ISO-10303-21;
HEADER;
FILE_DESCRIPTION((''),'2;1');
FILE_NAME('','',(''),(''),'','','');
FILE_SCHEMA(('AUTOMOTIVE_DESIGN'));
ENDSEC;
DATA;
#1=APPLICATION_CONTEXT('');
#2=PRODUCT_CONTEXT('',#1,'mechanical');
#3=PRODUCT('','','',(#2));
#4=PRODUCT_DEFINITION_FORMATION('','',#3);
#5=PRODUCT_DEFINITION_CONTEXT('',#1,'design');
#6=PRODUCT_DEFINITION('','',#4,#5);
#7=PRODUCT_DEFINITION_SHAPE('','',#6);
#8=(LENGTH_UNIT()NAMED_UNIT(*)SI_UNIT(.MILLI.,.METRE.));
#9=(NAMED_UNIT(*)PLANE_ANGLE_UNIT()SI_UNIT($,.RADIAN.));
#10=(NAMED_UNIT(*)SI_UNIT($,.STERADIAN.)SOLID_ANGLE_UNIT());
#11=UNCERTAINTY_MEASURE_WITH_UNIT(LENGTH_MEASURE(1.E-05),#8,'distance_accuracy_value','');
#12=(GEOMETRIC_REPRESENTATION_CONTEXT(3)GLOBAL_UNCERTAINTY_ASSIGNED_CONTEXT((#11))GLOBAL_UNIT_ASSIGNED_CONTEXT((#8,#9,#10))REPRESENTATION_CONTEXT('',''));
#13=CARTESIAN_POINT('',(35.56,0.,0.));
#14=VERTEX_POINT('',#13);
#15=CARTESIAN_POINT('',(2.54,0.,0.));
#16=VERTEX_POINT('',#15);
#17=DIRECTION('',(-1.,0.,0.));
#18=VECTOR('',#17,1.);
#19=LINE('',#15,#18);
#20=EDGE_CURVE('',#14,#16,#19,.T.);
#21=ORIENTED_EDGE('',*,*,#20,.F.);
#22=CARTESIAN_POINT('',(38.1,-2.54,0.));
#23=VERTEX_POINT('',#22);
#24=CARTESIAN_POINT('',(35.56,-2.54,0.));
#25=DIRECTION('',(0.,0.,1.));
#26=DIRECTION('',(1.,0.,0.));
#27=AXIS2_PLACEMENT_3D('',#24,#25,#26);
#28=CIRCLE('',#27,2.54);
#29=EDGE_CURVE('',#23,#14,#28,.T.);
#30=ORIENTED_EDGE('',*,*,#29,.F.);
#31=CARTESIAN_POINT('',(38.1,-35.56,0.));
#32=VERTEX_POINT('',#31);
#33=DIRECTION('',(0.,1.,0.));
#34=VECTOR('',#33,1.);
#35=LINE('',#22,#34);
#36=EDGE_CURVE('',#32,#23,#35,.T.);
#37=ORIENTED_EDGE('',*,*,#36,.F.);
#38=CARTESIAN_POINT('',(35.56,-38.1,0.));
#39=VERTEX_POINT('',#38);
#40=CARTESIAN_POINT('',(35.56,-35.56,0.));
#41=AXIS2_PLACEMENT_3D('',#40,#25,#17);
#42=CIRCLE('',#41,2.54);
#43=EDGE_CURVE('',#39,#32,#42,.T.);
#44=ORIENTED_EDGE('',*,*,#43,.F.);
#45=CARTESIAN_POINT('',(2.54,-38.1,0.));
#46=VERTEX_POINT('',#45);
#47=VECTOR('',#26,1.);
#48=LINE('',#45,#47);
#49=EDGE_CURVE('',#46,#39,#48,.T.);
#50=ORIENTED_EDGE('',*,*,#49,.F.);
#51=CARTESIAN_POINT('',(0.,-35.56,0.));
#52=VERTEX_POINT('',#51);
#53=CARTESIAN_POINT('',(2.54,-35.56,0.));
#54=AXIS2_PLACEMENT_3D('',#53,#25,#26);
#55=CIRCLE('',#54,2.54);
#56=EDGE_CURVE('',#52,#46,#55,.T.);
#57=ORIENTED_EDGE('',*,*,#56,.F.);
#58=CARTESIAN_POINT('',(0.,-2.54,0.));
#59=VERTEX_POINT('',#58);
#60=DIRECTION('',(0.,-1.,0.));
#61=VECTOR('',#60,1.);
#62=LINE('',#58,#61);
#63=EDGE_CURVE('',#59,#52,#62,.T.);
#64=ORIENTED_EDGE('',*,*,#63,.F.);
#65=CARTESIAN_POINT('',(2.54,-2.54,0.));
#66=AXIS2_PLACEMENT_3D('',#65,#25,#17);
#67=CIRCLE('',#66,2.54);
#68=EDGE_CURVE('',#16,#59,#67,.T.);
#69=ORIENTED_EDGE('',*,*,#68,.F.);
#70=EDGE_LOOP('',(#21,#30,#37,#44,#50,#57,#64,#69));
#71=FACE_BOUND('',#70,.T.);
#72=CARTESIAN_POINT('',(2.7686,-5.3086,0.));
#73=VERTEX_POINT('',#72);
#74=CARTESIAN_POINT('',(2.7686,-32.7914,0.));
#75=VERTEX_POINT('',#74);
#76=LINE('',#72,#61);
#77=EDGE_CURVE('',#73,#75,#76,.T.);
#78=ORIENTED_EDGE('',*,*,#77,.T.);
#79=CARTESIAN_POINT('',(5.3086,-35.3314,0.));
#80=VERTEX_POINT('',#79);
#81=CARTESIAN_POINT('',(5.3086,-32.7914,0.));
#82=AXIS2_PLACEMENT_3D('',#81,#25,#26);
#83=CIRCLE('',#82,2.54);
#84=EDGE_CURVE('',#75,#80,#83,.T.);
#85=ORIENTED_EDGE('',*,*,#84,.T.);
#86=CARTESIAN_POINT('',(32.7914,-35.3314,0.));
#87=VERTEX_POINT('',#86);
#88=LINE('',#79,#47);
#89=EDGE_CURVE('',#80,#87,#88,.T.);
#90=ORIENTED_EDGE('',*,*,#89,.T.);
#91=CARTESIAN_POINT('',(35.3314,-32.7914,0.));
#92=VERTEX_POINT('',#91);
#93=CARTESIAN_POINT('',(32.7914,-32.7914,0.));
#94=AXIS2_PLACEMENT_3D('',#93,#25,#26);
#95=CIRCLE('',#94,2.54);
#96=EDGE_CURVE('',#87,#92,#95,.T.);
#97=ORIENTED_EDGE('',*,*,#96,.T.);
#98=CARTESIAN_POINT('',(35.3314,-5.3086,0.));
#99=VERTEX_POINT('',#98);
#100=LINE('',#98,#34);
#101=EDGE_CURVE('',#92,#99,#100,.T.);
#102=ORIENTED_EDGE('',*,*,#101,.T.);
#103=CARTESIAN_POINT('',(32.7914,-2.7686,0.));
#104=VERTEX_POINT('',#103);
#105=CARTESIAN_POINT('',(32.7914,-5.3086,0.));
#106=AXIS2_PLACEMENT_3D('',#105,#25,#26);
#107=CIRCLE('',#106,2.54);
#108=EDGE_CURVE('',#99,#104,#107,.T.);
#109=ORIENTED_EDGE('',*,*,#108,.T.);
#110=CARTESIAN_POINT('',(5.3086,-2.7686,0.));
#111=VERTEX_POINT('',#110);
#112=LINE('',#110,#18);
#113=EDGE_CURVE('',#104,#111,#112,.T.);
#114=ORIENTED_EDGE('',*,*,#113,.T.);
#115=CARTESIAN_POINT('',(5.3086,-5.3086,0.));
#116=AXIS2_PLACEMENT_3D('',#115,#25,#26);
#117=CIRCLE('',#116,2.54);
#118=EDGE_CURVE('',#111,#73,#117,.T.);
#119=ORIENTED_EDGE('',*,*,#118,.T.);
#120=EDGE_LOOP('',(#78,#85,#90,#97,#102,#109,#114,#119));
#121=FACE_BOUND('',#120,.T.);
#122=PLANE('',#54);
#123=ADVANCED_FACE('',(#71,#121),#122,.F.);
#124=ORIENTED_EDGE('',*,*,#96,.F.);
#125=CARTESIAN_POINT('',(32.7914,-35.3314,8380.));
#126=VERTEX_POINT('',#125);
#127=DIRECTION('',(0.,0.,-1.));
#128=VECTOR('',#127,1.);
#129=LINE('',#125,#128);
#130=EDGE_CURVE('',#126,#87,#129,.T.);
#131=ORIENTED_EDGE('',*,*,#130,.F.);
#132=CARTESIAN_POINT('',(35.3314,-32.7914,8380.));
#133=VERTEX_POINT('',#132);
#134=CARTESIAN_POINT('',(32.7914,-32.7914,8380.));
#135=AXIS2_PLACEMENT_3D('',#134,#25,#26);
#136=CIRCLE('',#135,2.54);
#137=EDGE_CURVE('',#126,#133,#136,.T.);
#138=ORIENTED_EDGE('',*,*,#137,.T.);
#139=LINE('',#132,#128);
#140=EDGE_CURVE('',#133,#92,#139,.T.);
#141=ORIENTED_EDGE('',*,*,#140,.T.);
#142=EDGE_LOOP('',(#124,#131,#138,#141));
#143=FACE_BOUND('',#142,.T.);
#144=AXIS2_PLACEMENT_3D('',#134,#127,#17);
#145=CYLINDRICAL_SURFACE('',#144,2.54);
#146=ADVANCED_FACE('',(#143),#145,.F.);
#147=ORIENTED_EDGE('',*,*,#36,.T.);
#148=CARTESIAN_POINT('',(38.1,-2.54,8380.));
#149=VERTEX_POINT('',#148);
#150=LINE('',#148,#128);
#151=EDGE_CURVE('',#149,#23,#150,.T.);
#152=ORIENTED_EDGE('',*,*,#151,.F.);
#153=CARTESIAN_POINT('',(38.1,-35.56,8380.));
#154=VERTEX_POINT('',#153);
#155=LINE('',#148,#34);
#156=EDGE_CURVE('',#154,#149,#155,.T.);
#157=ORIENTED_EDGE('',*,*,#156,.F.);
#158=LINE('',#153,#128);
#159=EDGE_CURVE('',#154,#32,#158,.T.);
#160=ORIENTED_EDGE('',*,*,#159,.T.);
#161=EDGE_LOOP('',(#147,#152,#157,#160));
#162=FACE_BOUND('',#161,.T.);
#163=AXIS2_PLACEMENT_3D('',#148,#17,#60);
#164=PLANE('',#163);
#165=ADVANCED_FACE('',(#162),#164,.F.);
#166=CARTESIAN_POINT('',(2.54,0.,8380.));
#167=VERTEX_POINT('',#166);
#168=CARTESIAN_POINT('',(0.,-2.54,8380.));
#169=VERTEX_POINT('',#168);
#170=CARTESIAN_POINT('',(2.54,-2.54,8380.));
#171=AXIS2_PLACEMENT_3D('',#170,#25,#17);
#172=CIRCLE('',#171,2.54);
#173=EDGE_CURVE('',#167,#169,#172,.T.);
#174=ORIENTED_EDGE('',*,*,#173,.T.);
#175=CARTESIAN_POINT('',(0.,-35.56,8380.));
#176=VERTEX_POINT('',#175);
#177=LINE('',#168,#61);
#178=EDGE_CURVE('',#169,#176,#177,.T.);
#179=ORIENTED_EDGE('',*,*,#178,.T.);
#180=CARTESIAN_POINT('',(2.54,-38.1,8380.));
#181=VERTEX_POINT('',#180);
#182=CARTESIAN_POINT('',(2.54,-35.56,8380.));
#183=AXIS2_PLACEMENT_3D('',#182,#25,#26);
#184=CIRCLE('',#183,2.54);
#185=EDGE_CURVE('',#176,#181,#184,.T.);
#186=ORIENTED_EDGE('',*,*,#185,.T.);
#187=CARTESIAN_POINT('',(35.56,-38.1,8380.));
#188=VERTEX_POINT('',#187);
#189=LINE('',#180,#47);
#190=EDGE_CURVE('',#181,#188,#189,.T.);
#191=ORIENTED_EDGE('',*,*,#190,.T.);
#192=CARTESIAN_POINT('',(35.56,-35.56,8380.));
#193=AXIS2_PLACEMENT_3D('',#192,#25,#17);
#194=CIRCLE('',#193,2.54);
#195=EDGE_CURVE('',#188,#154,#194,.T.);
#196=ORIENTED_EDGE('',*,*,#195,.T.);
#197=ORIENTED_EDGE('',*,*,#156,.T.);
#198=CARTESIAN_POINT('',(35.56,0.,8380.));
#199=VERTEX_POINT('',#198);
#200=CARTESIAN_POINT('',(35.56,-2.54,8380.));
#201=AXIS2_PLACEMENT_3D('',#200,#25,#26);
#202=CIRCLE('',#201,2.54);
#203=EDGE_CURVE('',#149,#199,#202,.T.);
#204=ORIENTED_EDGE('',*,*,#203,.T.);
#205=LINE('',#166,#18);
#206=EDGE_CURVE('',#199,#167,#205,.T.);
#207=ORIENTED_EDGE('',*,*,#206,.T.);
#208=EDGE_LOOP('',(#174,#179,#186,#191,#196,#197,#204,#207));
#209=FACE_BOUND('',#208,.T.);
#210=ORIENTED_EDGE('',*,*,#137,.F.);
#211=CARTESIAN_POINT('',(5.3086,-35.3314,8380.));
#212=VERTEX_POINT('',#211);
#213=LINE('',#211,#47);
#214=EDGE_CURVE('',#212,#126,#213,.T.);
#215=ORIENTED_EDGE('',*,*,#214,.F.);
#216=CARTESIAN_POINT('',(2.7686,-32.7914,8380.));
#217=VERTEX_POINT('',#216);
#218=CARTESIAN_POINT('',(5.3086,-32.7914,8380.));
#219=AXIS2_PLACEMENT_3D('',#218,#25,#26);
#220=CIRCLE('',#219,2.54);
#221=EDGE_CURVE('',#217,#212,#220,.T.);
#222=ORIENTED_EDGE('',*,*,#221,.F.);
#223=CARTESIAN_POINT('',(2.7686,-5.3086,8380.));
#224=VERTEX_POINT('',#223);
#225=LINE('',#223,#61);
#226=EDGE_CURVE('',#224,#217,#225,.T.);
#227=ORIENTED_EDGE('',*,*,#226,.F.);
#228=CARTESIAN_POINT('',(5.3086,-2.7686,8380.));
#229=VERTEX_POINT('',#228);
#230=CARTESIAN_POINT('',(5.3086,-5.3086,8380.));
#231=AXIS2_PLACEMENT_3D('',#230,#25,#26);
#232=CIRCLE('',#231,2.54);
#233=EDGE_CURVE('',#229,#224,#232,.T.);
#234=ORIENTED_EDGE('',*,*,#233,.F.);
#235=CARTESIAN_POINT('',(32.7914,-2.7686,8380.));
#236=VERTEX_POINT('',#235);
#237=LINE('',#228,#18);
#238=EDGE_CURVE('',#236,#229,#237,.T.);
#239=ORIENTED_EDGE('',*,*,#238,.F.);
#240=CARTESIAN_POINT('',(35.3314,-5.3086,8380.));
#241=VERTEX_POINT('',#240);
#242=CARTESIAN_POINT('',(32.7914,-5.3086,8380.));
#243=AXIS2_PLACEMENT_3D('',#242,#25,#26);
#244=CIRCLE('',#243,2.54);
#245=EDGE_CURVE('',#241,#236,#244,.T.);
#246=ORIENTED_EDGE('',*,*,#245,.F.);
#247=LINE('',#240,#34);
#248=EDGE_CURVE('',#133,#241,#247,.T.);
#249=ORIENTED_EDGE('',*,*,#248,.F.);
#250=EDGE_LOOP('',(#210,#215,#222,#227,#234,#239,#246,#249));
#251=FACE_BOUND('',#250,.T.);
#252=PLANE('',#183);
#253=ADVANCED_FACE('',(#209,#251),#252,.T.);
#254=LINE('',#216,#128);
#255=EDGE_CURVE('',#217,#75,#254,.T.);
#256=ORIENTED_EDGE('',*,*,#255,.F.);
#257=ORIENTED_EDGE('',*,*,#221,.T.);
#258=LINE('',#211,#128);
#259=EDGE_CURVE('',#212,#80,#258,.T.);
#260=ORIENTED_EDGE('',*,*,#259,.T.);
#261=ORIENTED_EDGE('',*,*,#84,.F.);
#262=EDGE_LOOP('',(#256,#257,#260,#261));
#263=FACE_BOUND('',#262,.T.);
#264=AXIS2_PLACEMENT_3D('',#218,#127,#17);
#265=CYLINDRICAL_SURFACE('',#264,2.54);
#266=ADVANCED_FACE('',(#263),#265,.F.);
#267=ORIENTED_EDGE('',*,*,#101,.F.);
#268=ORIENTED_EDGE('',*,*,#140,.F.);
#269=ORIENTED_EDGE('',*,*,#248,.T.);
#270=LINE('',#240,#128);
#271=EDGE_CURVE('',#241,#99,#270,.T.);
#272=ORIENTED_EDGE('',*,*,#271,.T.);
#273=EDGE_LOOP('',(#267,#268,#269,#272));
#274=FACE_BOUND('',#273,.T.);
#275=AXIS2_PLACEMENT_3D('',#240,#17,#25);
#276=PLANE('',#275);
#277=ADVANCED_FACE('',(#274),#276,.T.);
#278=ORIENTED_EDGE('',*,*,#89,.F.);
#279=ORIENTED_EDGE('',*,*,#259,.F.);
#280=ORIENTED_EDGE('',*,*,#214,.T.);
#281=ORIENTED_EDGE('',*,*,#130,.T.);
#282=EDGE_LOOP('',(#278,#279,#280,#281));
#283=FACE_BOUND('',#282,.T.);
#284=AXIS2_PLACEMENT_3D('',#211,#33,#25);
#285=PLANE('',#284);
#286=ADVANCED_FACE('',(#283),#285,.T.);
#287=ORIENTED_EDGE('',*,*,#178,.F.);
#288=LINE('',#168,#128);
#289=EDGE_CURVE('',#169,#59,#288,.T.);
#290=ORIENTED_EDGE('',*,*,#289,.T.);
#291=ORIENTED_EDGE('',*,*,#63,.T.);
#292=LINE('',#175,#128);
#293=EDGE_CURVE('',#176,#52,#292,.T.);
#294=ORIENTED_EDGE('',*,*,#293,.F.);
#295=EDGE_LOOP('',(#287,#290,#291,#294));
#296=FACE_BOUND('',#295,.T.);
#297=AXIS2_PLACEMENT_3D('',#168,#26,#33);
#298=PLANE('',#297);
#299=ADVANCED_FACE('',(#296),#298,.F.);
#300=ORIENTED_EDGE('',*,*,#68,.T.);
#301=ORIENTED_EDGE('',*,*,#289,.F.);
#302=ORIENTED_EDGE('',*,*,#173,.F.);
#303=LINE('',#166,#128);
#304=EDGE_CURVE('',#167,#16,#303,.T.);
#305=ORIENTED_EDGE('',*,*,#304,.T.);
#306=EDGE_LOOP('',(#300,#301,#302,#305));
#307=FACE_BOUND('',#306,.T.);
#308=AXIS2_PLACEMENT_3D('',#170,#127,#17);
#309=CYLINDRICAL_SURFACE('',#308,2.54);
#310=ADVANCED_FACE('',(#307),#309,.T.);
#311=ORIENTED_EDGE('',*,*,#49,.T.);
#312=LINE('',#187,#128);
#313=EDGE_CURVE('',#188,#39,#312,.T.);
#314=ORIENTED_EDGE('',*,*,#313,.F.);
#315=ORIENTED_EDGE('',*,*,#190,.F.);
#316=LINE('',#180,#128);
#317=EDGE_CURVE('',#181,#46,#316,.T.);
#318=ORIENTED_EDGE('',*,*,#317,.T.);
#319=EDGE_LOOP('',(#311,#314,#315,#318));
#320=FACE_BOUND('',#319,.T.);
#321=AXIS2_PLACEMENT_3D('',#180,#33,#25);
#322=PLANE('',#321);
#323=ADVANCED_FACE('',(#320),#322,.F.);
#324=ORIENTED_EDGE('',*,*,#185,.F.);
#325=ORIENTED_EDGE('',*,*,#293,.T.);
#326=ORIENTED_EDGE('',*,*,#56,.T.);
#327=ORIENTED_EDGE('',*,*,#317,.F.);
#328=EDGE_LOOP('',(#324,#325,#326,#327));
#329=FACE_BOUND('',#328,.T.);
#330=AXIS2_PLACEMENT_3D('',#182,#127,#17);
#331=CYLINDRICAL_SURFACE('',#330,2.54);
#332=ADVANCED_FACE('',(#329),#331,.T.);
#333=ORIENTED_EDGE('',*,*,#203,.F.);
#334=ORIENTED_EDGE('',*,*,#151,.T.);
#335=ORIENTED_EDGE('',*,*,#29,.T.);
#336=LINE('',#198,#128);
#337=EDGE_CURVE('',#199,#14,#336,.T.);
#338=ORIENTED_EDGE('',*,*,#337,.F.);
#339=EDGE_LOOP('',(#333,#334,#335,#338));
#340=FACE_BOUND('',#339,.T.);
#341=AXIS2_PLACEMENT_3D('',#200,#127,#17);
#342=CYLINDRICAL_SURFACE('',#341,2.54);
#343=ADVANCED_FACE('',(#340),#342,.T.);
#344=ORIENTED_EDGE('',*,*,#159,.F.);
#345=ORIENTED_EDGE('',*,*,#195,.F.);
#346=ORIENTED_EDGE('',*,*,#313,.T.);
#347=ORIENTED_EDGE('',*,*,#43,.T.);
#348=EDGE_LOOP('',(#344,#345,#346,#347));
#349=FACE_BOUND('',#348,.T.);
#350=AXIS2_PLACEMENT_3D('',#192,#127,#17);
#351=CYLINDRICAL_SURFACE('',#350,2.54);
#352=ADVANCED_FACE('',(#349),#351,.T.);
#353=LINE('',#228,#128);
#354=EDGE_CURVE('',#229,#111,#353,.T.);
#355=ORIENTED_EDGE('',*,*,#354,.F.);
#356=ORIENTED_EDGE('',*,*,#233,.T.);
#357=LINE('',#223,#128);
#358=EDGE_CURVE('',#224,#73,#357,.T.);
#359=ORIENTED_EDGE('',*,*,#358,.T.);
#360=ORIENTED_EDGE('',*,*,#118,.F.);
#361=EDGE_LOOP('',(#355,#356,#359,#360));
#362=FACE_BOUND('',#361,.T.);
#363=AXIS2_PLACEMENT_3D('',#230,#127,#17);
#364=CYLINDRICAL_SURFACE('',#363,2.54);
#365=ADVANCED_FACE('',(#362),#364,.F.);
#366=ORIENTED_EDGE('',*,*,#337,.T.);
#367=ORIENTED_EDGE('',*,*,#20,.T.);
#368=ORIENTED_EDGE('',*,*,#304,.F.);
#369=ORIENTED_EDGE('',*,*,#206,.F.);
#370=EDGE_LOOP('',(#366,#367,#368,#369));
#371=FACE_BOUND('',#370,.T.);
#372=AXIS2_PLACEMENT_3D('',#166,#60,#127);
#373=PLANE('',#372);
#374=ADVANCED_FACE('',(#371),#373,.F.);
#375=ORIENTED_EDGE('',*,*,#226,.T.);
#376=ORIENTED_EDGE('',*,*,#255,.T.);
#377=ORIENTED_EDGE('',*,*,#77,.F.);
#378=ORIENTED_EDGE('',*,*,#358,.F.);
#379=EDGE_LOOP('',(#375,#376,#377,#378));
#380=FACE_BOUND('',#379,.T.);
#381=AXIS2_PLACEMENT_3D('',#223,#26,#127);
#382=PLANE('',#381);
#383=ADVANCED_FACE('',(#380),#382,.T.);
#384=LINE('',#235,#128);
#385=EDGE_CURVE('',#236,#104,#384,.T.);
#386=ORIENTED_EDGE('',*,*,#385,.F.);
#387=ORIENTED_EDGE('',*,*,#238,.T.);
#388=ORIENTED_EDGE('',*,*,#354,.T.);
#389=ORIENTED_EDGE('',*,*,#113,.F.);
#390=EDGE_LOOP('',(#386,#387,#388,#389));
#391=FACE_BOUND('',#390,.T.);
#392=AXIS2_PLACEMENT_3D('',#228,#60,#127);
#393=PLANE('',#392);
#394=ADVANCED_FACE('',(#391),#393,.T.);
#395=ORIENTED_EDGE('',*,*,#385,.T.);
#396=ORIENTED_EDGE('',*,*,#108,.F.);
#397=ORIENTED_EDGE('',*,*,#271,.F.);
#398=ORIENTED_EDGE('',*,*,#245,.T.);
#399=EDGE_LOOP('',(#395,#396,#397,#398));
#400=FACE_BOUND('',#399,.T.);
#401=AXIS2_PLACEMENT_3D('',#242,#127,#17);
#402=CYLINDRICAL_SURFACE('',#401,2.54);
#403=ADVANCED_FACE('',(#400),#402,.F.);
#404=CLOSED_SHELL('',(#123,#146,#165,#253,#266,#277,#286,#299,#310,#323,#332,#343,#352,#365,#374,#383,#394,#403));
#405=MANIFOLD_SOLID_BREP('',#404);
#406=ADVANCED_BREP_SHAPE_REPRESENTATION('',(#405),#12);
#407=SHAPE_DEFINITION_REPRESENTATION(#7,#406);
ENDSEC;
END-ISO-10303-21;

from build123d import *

# Parameters (mm, degrees)
BOSS_EXTRUDE1_DEPTH = 8380


with BuildPart() as part:
    # Sketch1 → Boss-Extrude1 (new body)
    with BuildSketch(Plane.XY):
        with BuildLine():
            Line((2.54, 0), (35.56, 0))
            ThreePointArc((35.56, 0), (37.356051224, -0.743948776), (38.1, -2.54))
            Line((38.1, -2.54), (38.1, -35.56))
            ThreePointArc((38.1, -35.56), (37.356051224, -37.356051224), (35.56, -38.1))
            Line((35.56, -38.1), (2.54, -38.1))
            ThreePointArc((2.54, -38.1), (0.743948776, -37.356051224), (0, -35.56))
            Line((0, -35.56), (0, -2.54))
            ThreePointArc((0, -2.54), (0.743948776, -0.743948776), (2.54, 0))
        make_face()
        with BuildLine():
            Line((5.3086, -2.7686), (32.7914, -2.7686))
            ThreePointArc((32.7914, -2.7686), (34.587451224, -3.512548776), (35.3314, -5.3086))
            Line((35.3314, -5.3086), (35.3314, -32.7914))
            ThreePointArc((35.3314, -32.7914), (34.587451224, -34.587451224), (32.7914, -35.3314))
            Line((32.7914, -35.3314), (5.3086, -35.3314))
            ThreePointArc((5.3086, -35.3314), (3.512548776, -34.587451224), (2.7686, -32.7914))
            Line((2.7686, -32.7914), (2.7686, -5.3086))
            ThreePointArc((2.7686, -5.3086), (3.512548776, -3.512548776), (5.3086, -2.7686))
        make_face(mode=Mode.SUBTRACT)
    extrude(amount=BOSS_EXTRUDE1_DEPTH)


solid = part.part
